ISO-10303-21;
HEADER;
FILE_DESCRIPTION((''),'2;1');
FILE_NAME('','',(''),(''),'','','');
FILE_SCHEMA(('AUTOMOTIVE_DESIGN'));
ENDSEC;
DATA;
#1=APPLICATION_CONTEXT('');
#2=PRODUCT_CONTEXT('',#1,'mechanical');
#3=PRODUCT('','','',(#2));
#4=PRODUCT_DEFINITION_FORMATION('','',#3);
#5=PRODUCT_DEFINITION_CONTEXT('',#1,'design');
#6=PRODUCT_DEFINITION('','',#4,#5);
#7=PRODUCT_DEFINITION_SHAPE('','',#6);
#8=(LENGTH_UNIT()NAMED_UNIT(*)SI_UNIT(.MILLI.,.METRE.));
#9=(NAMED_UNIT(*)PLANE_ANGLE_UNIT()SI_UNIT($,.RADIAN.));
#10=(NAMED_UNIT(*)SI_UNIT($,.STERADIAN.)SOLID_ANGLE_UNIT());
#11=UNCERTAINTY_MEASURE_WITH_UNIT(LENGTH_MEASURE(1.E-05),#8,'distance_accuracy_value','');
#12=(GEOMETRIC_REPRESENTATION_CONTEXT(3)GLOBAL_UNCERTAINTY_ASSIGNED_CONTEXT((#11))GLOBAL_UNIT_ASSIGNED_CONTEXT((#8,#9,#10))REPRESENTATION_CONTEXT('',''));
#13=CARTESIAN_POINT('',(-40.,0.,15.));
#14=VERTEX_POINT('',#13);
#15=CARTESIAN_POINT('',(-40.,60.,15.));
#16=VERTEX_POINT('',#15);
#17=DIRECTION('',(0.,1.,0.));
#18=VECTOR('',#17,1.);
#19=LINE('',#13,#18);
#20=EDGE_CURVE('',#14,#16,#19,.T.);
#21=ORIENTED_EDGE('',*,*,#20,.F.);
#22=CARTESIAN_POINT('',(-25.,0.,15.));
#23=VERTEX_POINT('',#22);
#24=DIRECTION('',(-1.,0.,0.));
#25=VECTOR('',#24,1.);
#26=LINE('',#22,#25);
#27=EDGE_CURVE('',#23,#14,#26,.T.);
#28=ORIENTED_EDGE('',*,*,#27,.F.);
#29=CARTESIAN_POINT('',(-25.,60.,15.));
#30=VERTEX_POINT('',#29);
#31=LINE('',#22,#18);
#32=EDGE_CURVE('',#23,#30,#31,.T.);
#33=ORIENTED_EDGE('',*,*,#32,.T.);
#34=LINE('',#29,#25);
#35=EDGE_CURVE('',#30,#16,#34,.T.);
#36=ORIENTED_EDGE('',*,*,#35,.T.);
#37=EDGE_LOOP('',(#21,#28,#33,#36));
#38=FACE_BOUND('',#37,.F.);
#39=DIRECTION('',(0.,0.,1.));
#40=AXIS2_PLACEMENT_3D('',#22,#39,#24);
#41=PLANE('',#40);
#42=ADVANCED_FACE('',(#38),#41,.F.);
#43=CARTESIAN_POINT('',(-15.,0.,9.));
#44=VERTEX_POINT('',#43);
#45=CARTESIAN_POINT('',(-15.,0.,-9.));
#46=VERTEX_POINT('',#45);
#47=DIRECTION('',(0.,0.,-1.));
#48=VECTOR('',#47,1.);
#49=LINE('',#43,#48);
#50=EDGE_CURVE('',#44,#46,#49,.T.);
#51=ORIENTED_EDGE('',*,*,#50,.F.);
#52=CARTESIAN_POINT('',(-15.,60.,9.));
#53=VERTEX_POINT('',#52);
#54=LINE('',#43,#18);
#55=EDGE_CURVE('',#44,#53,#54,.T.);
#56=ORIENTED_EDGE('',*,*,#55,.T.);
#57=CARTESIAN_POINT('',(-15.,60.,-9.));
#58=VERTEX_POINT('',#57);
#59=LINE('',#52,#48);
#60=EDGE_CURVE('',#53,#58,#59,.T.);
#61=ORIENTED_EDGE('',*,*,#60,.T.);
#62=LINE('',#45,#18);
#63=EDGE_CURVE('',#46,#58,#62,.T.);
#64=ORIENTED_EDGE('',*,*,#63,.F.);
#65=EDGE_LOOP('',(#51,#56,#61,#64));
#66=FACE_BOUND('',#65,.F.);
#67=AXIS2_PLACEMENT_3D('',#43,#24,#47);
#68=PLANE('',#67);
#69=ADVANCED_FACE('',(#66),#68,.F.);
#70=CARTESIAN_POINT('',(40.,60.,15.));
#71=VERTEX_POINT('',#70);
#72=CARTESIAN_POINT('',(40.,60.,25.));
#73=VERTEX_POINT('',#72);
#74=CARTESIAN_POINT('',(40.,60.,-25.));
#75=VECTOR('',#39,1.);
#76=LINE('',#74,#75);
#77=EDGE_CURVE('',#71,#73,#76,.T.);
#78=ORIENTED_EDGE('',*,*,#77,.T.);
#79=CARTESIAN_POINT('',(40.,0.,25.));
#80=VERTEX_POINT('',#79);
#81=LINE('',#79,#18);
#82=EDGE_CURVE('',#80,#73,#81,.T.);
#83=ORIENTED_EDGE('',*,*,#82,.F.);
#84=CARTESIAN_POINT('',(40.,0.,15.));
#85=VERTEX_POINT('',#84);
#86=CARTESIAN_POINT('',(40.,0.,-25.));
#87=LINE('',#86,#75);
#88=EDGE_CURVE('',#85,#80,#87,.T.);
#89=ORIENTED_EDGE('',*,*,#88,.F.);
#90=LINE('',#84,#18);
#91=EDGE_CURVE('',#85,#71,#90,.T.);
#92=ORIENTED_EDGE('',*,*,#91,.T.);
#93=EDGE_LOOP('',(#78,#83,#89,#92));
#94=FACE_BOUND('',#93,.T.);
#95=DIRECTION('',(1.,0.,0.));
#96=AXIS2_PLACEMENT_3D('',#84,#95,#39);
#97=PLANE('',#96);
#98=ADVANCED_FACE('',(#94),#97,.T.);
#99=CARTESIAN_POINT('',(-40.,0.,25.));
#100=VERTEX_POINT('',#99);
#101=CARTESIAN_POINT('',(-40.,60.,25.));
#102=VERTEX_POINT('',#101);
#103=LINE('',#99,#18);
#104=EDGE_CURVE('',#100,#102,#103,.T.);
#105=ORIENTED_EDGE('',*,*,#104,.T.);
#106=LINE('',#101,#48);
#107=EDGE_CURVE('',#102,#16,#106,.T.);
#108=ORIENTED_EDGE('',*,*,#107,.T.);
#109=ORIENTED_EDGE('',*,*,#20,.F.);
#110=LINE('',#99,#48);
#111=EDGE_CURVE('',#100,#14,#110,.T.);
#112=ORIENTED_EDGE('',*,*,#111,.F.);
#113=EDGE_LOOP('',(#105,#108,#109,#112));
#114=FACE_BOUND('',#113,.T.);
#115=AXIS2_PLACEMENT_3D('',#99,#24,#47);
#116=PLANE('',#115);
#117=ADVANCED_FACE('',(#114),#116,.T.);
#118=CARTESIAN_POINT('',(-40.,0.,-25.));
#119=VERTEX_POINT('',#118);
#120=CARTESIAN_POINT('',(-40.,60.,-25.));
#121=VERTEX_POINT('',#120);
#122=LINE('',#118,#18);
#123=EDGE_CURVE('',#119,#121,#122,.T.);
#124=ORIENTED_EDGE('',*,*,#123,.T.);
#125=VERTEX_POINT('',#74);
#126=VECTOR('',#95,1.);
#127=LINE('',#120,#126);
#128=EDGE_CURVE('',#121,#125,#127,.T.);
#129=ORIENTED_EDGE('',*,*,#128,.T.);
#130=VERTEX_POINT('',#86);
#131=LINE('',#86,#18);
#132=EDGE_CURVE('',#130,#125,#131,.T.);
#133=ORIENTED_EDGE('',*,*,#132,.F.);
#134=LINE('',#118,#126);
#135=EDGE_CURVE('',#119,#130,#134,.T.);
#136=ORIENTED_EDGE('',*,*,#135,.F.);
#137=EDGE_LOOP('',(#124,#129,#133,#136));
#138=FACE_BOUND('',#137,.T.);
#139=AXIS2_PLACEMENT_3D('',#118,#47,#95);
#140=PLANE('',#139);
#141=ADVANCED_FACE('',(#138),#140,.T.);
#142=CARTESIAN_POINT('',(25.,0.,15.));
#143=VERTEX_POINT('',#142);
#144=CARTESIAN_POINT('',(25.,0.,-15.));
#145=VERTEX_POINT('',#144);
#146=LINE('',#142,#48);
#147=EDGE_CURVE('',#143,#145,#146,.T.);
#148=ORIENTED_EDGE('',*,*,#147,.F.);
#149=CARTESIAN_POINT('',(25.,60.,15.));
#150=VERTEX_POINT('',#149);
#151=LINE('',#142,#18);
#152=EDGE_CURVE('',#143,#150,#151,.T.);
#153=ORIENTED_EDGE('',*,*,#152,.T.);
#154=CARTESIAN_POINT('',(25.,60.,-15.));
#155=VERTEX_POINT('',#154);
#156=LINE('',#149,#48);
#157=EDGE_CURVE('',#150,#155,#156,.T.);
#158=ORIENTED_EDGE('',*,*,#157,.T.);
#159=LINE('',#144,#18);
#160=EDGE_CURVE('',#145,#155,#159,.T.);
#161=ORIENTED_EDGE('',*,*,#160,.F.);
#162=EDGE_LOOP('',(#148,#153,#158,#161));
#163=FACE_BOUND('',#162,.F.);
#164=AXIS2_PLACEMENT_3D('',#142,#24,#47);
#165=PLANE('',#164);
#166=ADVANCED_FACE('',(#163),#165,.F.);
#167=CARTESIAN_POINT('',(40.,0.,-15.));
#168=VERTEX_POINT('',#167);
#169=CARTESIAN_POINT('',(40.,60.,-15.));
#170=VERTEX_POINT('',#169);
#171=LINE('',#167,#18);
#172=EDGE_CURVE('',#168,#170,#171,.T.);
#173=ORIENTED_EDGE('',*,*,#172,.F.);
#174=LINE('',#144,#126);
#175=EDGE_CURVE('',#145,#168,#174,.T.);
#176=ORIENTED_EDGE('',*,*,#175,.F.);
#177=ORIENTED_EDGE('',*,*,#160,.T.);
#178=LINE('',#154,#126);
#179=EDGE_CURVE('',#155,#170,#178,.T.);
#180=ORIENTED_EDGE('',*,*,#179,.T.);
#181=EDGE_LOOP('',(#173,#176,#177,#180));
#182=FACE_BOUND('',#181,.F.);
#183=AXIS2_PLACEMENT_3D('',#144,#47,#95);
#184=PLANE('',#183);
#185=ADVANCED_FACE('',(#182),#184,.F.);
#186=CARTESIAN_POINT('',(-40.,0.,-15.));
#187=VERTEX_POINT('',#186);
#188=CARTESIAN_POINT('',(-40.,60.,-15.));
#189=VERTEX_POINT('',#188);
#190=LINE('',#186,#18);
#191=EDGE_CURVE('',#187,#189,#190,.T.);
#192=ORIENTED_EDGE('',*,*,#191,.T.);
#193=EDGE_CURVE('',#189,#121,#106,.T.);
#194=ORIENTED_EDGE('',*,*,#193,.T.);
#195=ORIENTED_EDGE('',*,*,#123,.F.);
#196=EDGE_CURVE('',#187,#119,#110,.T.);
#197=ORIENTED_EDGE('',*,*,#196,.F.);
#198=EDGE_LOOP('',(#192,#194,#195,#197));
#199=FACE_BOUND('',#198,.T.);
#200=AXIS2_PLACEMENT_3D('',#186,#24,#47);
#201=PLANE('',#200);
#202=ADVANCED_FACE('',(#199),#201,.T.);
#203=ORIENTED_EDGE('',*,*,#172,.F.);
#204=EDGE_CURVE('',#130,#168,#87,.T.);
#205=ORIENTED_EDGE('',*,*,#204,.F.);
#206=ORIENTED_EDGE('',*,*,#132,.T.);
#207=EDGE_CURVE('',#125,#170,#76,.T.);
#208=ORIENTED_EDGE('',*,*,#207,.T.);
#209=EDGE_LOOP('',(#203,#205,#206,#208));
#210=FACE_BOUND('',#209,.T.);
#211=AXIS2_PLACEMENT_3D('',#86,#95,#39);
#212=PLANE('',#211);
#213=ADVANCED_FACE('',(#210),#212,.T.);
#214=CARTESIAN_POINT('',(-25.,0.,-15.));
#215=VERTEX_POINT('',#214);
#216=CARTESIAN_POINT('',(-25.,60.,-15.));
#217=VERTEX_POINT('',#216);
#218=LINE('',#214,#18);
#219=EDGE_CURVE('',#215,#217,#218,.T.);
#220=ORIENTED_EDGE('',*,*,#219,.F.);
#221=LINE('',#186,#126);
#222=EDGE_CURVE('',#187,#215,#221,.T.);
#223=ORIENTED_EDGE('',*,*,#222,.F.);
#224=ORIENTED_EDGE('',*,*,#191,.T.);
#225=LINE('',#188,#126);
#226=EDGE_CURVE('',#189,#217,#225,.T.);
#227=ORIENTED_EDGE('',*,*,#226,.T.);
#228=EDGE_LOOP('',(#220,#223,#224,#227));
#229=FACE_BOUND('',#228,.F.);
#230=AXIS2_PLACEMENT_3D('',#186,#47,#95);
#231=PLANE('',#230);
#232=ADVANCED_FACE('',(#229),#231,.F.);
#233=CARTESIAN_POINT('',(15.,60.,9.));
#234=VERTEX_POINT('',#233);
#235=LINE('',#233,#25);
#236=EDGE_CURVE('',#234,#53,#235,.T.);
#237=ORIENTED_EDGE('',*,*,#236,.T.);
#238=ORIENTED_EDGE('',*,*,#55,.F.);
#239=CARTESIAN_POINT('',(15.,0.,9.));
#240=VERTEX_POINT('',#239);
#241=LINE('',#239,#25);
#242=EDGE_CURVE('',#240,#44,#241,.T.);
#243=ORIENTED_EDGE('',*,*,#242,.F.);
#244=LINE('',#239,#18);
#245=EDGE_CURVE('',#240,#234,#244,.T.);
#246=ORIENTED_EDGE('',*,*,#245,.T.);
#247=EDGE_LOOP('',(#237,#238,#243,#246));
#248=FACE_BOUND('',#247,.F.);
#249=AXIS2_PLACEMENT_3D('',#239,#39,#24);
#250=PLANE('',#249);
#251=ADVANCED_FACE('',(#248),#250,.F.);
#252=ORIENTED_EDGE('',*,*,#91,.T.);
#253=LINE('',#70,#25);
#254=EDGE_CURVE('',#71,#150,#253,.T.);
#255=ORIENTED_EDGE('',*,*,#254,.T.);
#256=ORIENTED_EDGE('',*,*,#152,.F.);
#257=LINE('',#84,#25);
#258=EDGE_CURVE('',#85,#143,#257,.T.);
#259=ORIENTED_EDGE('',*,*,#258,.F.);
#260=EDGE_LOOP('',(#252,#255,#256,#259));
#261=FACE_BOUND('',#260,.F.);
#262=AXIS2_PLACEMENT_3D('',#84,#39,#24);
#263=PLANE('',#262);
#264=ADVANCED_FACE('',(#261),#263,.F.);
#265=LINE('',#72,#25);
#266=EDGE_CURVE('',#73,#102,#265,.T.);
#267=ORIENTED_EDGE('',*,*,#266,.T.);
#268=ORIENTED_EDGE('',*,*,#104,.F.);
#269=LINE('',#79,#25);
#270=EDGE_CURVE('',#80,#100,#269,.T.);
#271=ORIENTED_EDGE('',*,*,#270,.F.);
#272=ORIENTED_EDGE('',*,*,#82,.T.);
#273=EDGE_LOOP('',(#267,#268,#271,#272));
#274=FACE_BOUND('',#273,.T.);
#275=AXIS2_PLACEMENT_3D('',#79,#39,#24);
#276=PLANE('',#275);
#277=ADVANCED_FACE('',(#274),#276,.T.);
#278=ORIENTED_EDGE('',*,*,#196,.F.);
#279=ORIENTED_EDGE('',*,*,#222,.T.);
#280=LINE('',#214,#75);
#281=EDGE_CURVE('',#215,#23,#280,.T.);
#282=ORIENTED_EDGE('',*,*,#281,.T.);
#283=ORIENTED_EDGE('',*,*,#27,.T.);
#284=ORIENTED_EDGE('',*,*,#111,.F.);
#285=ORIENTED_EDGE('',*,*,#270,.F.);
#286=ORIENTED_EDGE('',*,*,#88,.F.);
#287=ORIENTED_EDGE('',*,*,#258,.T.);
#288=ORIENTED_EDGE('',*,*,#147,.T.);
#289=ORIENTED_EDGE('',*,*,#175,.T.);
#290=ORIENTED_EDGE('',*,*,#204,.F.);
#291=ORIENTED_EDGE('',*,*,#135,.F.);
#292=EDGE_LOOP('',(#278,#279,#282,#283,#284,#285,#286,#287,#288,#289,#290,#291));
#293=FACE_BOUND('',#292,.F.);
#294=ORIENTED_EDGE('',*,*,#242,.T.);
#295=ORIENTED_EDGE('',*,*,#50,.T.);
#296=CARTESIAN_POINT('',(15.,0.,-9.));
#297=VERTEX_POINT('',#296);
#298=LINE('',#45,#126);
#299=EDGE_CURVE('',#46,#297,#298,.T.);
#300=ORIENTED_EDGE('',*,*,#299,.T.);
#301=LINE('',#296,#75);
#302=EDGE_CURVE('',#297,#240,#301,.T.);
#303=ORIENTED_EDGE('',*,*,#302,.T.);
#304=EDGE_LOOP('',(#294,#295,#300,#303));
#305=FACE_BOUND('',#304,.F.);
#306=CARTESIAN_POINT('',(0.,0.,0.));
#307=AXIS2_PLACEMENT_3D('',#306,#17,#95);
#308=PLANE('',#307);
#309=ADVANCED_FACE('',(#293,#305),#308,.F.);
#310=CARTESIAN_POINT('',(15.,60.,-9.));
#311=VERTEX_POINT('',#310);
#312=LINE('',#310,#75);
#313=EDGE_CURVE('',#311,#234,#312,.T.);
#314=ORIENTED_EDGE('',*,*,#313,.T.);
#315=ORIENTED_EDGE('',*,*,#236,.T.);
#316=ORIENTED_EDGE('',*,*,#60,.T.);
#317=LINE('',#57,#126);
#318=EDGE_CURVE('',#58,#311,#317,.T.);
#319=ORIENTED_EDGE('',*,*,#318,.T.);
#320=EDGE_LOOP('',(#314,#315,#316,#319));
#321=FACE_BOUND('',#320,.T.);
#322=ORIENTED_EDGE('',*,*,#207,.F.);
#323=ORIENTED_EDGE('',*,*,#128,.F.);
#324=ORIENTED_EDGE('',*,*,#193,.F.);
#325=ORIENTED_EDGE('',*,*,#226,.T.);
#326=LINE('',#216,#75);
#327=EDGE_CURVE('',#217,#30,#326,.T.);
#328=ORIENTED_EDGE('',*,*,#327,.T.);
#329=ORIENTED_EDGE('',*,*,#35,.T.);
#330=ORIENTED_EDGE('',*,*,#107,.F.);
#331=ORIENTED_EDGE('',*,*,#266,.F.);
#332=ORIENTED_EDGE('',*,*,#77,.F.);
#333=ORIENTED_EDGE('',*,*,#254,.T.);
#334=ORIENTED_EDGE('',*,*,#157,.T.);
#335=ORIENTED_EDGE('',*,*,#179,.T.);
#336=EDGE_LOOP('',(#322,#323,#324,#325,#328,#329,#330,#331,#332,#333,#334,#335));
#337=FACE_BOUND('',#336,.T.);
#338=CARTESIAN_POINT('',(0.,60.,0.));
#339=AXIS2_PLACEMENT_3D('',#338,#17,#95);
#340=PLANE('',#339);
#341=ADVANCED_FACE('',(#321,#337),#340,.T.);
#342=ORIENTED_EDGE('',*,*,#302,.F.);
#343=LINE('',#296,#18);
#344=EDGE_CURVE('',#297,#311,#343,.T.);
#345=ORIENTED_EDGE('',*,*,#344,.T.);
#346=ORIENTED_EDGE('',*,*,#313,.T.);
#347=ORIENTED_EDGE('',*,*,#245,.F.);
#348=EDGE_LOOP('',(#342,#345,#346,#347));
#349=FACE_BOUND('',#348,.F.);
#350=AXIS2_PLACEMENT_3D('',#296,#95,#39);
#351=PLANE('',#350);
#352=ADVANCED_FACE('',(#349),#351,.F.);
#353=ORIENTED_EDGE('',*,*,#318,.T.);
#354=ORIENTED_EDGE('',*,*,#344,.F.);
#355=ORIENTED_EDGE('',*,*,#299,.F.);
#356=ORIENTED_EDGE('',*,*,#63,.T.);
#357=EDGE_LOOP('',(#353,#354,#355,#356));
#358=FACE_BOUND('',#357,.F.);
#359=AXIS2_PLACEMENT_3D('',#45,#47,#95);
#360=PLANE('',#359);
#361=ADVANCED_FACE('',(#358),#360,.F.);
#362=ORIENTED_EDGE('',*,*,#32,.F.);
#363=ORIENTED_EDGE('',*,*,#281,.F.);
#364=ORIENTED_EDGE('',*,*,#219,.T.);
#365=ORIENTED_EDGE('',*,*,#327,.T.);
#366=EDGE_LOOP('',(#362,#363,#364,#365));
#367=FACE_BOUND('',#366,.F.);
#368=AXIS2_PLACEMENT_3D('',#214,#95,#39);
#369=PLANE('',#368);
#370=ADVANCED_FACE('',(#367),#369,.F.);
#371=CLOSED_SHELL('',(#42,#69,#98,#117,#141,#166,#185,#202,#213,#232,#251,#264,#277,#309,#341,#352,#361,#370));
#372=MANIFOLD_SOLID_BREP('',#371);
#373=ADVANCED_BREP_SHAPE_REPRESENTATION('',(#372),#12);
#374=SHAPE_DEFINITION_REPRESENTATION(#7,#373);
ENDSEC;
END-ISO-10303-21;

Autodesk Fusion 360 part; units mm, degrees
sketch "Sketch2" plane through (0, 0, 0) normal (0, 1, 0) x (1, 0, 0)
  line L0 (40, -25) -> (-40, -25)
  line L1 (-40, -25) -> (-40, 25)
  line L2 (-40, 25) -> (40, 25)
  line L3 (40, 25) -> (40, -25)
  line L4 (40, -25) -> (-40, 25) construction
  line L5 (-40, -25) -> (40, 25) construction
  line L6 (15, -9) -> (-15, -9)
  line L7 (-15, -9) -> (-15, 9)
  line L8 (-15, 9) -> (15, 9)
  line L9 (15, 9) -> (15, -9)
  line L10 (15, -9) -> (-15, 9) construction
  line L11 (-15, -9) -> (15, 9) construction
  line L12 (40, -15) -> (25, -15)
  line L13 (25, -15) -> (25, 15)
  line L14 (25, 15) -> (40, 15)
  line L15 (40, 15) -> (40, -15)
  line L16 (-40, 15) -> (-25, 15)
  line L17 (-25, 15) -> (-25, -15)
  line L18 (-25, -15) -> (-40, -15)
  line L19 (-40, -15) -> (-40, 15)
  dimension "d13" = 80
  dimension "d14" = 50
  dimension "d15" = 30
  dimension "d16" = 18
  dimension "d17" = 15
  dimension "d18" = 30
  dimension "d19" = 10
extrude "Extrude2" add sketch "Sketch2" along normal blind 60 contours L0 L1 L2 L3 L12 L13 L14 L16 L17 L18
